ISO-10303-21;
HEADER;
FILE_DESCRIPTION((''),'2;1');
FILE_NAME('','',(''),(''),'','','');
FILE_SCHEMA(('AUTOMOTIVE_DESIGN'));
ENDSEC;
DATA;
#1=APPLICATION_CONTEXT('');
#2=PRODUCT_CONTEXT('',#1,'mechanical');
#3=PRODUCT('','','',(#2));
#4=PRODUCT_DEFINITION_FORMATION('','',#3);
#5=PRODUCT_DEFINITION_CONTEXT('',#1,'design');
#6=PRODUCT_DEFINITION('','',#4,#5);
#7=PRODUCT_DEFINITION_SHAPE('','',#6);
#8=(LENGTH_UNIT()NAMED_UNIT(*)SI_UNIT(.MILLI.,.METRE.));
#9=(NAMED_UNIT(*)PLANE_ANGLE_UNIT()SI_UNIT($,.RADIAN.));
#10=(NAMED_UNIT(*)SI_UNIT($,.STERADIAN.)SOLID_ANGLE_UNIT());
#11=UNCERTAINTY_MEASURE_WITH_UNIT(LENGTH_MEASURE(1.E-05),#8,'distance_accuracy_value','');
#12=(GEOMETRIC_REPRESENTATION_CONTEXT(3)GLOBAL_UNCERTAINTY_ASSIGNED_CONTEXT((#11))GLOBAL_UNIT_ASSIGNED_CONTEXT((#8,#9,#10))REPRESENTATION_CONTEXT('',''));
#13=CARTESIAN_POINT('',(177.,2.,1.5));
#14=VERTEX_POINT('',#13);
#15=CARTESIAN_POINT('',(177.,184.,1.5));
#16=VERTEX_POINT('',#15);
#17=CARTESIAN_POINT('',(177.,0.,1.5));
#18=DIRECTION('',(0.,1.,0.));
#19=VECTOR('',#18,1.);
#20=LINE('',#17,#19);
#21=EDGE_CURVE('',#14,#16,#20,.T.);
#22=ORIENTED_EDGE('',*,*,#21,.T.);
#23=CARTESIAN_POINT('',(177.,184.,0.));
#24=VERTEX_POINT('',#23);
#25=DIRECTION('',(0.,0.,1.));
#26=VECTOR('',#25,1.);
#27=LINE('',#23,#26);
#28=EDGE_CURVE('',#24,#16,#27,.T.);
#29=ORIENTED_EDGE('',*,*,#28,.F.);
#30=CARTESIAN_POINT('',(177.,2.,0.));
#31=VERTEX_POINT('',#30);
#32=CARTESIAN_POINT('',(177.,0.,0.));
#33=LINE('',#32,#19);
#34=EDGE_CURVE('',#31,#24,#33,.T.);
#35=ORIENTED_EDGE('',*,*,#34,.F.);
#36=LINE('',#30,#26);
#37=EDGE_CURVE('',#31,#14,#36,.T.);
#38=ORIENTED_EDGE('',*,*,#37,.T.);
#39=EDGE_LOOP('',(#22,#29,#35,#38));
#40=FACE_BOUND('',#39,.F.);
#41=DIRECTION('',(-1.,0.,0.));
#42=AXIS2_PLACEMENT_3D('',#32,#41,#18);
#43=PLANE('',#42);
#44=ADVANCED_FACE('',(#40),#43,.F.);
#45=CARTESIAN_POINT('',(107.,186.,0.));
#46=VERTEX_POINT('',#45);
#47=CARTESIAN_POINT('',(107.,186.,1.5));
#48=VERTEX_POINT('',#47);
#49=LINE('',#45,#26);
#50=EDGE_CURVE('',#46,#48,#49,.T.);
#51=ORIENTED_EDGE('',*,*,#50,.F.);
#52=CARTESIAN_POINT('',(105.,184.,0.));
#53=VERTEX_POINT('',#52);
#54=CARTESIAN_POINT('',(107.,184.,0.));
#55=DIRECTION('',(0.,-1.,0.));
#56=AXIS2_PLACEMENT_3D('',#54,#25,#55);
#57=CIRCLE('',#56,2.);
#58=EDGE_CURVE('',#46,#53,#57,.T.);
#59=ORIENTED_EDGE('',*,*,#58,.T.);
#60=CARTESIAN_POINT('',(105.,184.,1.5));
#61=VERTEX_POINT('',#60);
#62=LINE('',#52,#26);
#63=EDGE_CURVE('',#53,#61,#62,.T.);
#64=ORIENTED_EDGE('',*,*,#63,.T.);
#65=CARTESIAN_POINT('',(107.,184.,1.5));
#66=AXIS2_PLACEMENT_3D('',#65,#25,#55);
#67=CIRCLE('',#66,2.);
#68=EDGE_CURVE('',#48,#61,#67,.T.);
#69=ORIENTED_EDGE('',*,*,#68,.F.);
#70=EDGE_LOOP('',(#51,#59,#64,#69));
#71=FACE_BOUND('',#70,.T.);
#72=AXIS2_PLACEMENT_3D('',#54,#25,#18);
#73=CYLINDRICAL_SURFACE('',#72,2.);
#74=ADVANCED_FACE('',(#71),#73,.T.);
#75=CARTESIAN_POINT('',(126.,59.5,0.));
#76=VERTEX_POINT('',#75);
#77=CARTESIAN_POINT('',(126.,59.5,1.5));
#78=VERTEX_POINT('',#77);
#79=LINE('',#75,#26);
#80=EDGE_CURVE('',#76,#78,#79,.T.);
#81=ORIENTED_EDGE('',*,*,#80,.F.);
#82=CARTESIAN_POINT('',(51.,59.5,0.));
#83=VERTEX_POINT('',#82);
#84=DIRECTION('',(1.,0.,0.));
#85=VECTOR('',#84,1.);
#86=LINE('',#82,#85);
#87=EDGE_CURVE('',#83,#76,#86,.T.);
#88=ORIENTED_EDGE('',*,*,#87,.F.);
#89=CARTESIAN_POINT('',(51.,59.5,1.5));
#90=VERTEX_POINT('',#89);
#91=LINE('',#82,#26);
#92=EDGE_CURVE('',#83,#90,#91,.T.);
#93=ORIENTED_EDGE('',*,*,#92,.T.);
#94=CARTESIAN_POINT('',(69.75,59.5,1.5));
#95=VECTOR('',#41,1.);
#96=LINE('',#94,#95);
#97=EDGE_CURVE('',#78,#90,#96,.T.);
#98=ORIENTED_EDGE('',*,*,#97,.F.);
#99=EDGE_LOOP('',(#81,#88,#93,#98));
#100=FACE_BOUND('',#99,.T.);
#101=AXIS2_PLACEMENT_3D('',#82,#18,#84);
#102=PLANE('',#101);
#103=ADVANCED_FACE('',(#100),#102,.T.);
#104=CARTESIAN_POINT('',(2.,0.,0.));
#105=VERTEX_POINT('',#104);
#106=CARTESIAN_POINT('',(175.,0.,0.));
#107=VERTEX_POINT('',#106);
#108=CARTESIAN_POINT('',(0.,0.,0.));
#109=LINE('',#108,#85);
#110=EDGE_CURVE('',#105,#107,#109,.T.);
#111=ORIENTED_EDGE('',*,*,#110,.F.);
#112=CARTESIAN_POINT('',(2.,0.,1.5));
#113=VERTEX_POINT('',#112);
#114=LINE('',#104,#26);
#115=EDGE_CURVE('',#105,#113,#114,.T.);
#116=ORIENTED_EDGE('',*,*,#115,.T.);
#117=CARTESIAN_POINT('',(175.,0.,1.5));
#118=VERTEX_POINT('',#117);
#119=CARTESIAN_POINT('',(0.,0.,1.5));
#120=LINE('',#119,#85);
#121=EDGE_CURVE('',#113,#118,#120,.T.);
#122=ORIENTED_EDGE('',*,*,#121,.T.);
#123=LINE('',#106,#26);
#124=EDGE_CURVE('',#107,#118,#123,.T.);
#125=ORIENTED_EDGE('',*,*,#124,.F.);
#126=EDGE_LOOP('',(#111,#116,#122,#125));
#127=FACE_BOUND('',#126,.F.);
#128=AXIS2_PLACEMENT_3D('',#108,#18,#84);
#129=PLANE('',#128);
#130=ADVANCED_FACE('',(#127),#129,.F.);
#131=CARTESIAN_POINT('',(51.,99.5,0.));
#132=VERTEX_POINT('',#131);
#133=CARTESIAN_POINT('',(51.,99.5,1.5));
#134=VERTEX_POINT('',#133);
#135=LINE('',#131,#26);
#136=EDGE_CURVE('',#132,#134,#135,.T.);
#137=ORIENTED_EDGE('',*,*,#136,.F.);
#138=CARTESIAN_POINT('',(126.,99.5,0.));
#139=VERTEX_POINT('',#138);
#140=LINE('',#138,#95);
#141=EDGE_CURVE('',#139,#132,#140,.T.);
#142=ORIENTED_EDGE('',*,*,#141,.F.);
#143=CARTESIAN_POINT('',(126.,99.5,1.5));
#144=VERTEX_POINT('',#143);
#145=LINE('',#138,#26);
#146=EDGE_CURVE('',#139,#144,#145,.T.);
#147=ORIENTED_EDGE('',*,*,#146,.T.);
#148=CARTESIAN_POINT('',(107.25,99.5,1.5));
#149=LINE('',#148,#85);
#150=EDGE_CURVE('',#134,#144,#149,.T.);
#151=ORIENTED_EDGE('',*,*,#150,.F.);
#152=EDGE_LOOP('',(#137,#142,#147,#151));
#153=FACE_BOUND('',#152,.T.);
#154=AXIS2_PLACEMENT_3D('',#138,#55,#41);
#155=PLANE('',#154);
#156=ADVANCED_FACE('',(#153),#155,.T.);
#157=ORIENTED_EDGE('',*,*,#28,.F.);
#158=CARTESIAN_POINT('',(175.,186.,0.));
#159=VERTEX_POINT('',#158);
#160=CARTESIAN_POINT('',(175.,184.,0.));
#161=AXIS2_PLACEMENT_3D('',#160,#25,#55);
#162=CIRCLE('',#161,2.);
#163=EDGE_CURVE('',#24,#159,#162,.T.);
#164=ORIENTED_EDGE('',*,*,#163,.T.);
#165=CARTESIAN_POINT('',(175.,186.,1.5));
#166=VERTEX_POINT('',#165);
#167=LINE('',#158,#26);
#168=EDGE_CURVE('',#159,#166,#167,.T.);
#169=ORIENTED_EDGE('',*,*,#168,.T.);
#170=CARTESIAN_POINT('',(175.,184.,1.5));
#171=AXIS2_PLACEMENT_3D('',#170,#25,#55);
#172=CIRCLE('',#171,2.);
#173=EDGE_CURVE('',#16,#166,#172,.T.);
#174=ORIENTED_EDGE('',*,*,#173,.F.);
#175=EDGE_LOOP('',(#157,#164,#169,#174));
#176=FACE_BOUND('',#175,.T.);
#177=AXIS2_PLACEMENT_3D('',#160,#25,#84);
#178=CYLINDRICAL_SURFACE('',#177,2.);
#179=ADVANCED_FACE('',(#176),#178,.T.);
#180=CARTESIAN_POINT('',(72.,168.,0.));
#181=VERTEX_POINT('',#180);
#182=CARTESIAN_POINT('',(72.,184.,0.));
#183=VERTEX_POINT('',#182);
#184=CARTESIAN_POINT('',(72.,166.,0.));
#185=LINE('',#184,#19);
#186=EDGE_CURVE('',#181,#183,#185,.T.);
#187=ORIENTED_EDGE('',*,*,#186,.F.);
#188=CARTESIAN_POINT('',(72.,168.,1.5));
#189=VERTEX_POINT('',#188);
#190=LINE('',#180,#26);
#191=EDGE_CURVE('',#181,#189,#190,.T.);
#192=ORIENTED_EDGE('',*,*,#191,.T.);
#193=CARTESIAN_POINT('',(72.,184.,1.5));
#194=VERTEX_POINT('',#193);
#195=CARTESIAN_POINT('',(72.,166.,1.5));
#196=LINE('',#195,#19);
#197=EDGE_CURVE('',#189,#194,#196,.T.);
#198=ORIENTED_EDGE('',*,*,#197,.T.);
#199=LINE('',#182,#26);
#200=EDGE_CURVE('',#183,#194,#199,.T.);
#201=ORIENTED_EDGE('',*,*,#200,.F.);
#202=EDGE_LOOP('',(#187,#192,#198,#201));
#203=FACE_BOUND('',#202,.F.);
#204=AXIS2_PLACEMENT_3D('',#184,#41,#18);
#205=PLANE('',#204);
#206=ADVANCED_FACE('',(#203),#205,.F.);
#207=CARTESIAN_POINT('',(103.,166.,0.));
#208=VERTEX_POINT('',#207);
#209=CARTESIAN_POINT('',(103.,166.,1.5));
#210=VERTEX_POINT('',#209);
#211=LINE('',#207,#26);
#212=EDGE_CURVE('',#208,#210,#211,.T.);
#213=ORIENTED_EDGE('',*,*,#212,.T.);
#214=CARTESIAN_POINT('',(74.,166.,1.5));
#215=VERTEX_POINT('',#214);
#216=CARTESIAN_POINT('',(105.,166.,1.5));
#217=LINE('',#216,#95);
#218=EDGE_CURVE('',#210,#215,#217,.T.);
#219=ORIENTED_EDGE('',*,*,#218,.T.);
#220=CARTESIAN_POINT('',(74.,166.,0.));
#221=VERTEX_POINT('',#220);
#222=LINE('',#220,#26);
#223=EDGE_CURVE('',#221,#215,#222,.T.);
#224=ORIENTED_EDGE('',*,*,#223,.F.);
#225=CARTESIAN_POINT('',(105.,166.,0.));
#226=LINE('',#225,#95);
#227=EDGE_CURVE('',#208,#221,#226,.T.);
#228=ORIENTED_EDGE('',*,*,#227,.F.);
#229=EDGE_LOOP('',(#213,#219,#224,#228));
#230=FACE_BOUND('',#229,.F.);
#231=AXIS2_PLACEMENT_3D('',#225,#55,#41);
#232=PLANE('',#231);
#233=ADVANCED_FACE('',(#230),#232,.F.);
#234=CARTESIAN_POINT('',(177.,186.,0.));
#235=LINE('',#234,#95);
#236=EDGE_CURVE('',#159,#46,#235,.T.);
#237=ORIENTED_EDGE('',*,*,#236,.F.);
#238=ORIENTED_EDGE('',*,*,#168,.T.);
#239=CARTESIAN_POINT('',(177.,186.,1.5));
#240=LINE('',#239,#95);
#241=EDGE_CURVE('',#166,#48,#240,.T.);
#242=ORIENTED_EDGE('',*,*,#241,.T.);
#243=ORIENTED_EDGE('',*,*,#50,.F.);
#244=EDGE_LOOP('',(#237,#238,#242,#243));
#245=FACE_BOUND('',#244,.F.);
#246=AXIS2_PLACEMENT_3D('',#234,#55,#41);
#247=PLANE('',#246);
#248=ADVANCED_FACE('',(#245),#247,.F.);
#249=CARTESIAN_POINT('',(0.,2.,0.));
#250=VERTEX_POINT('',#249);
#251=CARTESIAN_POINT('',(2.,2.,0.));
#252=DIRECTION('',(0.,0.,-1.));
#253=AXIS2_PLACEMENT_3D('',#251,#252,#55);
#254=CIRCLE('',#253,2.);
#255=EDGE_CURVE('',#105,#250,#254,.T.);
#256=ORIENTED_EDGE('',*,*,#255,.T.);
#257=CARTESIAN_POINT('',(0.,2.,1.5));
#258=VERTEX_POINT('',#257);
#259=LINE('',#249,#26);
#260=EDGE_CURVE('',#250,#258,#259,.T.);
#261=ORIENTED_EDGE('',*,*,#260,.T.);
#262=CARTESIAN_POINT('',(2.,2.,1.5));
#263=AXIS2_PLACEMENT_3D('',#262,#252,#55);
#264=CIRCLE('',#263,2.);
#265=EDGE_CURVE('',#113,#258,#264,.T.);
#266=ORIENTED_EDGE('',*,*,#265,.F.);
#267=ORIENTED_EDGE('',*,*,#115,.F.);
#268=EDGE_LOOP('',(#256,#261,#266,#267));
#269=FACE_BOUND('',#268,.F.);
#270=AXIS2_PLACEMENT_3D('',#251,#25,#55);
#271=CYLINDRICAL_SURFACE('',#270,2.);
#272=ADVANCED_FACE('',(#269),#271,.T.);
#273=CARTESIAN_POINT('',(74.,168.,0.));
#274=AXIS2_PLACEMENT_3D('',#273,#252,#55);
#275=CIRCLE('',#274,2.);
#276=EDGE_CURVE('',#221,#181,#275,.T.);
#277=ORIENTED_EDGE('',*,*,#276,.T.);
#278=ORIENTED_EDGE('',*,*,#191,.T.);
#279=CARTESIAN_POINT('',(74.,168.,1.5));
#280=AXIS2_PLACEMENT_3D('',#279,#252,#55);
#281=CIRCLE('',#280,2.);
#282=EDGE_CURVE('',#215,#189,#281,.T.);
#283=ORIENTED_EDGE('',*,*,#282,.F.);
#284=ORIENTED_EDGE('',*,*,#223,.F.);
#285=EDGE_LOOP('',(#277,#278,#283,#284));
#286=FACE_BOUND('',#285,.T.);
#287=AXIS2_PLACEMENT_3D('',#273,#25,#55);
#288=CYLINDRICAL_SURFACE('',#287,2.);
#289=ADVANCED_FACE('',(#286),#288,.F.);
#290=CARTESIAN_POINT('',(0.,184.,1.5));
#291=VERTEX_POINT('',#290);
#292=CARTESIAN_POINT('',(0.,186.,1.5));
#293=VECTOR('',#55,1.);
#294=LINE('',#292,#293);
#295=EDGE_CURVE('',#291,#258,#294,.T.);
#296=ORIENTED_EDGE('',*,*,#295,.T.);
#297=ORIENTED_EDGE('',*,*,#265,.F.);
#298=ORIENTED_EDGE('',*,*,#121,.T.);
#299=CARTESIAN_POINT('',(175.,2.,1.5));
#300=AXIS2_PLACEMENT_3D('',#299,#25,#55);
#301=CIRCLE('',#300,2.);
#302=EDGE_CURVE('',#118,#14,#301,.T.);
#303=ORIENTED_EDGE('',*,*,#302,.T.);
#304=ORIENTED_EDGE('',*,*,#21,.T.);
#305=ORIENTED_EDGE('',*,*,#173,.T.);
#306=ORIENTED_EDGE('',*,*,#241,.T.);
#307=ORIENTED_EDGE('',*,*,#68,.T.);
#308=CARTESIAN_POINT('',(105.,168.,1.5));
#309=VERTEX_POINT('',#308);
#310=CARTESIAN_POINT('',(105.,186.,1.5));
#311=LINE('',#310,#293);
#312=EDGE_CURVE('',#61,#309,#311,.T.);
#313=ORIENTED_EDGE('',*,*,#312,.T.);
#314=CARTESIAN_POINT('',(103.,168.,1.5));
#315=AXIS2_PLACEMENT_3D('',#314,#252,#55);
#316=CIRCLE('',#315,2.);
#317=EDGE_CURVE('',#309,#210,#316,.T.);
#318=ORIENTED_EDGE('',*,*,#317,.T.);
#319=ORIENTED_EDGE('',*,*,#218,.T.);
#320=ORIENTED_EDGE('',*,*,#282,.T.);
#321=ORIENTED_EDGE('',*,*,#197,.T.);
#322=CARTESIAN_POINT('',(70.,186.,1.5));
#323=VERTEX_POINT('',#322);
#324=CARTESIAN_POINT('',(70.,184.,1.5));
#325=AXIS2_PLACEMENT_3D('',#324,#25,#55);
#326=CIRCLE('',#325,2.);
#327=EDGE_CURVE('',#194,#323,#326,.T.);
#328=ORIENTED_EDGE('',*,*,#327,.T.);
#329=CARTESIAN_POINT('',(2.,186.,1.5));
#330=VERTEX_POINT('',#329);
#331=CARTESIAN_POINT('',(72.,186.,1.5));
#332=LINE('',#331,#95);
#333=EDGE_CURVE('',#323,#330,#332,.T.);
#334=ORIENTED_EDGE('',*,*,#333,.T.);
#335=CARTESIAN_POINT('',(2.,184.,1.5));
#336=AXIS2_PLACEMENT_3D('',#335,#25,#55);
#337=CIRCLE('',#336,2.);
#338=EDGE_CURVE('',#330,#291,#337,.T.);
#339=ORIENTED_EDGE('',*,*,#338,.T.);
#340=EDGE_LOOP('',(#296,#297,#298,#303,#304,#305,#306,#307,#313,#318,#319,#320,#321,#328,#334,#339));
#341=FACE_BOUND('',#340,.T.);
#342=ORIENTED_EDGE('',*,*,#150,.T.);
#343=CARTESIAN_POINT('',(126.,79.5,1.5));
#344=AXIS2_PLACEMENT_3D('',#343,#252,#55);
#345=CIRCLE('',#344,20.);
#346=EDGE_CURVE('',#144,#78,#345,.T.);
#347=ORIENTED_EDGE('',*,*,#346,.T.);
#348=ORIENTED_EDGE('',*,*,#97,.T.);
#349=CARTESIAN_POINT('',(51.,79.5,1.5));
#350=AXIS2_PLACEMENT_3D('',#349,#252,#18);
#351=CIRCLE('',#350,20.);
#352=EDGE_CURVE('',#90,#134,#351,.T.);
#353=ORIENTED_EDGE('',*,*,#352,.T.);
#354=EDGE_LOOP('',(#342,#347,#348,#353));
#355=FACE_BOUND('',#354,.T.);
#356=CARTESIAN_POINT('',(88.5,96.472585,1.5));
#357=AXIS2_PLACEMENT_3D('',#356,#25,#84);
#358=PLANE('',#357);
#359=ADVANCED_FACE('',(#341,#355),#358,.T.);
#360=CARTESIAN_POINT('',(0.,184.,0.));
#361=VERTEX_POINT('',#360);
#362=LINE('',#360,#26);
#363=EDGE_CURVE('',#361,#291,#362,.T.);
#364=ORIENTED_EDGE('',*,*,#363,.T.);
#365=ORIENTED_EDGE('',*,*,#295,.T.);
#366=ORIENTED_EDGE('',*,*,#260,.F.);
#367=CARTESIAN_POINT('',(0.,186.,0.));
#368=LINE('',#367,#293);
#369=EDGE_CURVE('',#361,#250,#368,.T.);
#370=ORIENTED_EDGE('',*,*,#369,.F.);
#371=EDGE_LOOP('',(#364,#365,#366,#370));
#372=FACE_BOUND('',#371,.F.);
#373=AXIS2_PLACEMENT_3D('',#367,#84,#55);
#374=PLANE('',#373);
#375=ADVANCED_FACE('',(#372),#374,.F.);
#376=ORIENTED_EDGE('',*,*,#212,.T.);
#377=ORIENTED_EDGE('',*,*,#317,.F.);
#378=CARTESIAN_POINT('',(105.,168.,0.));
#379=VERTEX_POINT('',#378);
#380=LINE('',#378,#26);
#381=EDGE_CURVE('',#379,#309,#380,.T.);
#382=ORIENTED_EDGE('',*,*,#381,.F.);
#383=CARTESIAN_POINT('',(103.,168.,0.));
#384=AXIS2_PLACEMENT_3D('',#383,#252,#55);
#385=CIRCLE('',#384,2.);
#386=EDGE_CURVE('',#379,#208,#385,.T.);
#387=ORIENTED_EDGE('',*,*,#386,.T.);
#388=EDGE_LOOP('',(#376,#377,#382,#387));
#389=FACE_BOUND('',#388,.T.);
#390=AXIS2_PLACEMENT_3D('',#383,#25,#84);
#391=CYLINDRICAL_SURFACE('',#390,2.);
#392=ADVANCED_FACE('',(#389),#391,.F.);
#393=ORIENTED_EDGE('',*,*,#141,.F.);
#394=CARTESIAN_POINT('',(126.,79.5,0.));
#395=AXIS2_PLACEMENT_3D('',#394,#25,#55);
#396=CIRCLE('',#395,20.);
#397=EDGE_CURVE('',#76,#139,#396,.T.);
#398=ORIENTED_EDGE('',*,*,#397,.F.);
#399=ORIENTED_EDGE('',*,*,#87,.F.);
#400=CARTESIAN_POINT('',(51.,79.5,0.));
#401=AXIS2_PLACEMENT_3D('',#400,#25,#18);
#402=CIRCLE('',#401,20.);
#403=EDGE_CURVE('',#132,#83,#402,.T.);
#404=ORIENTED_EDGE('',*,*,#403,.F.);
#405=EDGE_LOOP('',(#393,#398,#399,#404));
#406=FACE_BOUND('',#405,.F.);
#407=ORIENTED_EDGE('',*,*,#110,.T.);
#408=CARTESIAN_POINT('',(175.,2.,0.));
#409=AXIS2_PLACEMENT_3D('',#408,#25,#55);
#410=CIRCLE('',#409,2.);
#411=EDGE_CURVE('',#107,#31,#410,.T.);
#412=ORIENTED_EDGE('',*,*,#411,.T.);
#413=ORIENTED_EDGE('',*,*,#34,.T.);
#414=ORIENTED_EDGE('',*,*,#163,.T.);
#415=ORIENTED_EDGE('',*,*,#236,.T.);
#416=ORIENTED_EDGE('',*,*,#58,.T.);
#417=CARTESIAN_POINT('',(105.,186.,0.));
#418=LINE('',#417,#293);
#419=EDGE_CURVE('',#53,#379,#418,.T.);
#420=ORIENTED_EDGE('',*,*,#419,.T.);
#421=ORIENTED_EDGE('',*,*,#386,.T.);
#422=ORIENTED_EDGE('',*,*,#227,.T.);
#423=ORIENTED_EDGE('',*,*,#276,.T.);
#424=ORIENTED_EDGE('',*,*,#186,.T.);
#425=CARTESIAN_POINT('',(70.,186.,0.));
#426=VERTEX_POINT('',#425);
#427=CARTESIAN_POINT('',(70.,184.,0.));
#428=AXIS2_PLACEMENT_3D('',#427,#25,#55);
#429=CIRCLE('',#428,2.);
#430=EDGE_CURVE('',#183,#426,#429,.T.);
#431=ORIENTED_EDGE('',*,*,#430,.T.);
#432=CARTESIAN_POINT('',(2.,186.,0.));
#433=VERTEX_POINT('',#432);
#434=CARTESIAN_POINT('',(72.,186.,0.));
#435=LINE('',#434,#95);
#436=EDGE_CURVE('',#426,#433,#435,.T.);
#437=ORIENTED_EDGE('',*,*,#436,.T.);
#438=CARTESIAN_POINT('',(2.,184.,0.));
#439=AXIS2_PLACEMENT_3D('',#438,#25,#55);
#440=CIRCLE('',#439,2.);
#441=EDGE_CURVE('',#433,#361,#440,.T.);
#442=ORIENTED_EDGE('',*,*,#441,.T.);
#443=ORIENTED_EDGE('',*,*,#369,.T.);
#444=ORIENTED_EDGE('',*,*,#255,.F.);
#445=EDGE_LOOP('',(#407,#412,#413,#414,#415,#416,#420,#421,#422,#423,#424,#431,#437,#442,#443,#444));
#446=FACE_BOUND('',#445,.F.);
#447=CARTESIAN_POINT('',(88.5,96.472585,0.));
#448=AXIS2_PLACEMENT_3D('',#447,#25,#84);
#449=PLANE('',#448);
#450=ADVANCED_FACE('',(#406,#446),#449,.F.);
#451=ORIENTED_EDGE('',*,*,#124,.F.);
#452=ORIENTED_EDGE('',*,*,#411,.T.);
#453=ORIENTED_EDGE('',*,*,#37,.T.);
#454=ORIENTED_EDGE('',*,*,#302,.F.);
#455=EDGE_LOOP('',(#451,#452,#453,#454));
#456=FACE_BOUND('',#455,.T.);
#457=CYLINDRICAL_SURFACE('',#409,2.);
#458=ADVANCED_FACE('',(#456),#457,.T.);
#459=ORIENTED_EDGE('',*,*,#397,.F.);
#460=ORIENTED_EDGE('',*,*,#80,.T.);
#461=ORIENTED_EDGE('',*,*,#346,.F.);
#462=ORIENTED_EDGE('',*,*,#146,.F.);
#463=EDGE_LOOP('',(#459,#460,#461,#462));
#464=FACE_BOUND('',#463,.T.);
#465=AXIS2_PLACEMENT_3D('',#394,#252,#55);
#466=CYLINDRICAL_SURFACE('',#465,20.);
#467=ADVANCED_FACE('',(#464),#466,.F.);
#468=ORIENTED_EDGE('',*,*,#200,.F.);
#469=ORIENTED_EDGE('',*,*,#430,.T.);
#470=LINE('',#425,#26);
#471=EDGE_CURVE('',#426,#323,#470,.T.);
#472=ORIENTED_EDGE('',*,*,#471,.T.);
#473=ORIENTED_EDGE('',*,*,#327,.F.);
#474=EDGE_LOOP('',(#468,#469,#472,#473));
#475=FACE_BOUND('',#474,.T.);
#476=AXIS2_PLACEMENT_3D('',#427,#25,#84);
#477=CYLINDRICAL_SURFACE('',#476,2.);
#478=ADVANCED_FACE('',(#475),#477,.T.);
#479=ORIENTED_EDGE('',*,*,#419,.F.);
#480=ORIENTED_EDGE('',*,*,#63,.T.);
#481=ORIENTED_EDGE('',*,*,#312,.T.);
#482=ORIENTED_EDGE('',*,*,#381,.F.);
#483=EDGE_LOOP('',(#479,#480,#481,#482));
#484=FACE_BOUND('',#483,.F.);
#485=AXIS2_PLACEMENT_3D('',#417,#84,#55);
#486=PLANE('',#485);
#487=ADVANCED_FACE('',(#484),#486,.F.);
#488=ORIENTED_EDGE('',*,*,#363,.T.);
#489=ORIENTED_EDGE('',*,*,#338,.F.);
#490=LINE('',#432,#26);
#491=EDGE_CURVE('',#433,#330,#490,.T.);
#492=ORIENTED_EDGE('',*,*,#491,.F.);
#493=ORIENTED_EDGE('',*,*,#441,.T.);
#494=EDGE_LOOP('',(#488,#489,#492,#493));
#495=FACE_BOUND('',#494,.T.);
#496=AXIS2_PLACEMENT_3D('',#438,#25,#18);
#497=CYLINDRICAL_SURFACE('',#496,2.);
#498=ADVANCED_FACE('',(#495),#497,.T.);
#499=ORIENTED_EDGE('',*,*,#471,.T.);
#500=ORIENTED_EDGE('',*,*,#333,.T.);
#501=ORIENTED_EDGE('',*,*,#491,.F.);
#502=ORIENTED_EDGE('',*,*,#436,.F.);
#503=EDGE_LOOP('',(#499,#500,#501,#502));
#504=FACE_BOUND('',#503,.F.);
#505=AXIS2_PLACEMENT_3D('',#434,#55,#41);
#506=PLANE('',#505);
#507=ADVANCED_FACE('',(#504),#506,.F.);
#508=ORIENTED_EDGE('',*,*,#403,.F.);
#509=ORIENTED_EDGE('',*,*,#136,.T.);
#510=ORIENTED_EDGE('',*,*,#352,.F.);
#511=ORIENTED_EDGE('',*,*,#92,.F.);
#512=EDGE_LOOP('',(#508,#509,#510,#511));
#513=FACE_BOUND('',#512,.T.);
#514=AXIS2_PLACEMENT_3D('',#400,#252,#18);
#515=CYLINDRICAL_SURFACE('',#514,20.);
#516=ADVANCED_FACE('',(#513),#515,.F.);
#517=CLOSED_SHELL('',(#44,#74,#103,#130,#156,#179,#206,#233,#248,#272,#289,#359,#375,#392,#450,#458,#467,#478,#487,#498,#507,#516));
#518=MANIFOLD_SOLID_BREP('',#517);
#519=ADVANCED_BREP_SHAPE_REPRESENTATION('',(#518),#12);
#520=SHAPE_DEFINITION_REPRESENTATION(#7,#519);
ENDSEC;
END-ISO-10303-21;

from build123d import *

# Parameters (mm, degrees)
BOSS_EXTRUDE1_DEPTH = 1.5
FILLET1_R           = 2
CUT_EXTRUDE1_DEPTH  = 10


with BuildPart() as part:
    # Sketch1 → Boss-Extrude1 (new body)
    with BuildSketch(Plane.XY):
        Polygon((0, 0), (177, 0), (177, 186), (105, 186), (105, 166), (72, 166), (72, 186), (0, 186), align=None)
    extrude(amount=BOSS_EXTRUDE1_DEPTH)

    # Fillet1
    fillet1_edges = [part.edges().sort_by_distance(p)[0] for p in [
        (0, 186, 0.75),
        (72, 186, 0.75),
        (72, 166, 0.75),
        (105, 166, 0.75),
        (105, 186, 0.75),
        (177, 186, 0.75),
        (177, 0, 0.75),
        (0, 0, 0.75),
    ]]
    fillet(fillet1_edges, radius=FILLET1_R)

    # Sketch2 → Cut-Extrude1 (cut)
    with BuildSketch(Plane(origin=(0, 0, 0), x_dir=(-1, 0, 0), z_dir=(0, 0, -1))):
        with BuildLine():
            Line((-126, 99.5), (-51, 99.5))
            ThreePointArc((-51, 99.5), (-31, 79.5), (-51, 59.5))
            Line((-51, 59.5), (-126, 59.5))
            ThreePointArc((-126, 59.5), (-146, 79.5), (-126, 99.5))
        make_face()
    extrude(amount=-CUT_EXTRUDE1_DEPTH, mode=Mode.SUBTRACT)


solid = part.part
